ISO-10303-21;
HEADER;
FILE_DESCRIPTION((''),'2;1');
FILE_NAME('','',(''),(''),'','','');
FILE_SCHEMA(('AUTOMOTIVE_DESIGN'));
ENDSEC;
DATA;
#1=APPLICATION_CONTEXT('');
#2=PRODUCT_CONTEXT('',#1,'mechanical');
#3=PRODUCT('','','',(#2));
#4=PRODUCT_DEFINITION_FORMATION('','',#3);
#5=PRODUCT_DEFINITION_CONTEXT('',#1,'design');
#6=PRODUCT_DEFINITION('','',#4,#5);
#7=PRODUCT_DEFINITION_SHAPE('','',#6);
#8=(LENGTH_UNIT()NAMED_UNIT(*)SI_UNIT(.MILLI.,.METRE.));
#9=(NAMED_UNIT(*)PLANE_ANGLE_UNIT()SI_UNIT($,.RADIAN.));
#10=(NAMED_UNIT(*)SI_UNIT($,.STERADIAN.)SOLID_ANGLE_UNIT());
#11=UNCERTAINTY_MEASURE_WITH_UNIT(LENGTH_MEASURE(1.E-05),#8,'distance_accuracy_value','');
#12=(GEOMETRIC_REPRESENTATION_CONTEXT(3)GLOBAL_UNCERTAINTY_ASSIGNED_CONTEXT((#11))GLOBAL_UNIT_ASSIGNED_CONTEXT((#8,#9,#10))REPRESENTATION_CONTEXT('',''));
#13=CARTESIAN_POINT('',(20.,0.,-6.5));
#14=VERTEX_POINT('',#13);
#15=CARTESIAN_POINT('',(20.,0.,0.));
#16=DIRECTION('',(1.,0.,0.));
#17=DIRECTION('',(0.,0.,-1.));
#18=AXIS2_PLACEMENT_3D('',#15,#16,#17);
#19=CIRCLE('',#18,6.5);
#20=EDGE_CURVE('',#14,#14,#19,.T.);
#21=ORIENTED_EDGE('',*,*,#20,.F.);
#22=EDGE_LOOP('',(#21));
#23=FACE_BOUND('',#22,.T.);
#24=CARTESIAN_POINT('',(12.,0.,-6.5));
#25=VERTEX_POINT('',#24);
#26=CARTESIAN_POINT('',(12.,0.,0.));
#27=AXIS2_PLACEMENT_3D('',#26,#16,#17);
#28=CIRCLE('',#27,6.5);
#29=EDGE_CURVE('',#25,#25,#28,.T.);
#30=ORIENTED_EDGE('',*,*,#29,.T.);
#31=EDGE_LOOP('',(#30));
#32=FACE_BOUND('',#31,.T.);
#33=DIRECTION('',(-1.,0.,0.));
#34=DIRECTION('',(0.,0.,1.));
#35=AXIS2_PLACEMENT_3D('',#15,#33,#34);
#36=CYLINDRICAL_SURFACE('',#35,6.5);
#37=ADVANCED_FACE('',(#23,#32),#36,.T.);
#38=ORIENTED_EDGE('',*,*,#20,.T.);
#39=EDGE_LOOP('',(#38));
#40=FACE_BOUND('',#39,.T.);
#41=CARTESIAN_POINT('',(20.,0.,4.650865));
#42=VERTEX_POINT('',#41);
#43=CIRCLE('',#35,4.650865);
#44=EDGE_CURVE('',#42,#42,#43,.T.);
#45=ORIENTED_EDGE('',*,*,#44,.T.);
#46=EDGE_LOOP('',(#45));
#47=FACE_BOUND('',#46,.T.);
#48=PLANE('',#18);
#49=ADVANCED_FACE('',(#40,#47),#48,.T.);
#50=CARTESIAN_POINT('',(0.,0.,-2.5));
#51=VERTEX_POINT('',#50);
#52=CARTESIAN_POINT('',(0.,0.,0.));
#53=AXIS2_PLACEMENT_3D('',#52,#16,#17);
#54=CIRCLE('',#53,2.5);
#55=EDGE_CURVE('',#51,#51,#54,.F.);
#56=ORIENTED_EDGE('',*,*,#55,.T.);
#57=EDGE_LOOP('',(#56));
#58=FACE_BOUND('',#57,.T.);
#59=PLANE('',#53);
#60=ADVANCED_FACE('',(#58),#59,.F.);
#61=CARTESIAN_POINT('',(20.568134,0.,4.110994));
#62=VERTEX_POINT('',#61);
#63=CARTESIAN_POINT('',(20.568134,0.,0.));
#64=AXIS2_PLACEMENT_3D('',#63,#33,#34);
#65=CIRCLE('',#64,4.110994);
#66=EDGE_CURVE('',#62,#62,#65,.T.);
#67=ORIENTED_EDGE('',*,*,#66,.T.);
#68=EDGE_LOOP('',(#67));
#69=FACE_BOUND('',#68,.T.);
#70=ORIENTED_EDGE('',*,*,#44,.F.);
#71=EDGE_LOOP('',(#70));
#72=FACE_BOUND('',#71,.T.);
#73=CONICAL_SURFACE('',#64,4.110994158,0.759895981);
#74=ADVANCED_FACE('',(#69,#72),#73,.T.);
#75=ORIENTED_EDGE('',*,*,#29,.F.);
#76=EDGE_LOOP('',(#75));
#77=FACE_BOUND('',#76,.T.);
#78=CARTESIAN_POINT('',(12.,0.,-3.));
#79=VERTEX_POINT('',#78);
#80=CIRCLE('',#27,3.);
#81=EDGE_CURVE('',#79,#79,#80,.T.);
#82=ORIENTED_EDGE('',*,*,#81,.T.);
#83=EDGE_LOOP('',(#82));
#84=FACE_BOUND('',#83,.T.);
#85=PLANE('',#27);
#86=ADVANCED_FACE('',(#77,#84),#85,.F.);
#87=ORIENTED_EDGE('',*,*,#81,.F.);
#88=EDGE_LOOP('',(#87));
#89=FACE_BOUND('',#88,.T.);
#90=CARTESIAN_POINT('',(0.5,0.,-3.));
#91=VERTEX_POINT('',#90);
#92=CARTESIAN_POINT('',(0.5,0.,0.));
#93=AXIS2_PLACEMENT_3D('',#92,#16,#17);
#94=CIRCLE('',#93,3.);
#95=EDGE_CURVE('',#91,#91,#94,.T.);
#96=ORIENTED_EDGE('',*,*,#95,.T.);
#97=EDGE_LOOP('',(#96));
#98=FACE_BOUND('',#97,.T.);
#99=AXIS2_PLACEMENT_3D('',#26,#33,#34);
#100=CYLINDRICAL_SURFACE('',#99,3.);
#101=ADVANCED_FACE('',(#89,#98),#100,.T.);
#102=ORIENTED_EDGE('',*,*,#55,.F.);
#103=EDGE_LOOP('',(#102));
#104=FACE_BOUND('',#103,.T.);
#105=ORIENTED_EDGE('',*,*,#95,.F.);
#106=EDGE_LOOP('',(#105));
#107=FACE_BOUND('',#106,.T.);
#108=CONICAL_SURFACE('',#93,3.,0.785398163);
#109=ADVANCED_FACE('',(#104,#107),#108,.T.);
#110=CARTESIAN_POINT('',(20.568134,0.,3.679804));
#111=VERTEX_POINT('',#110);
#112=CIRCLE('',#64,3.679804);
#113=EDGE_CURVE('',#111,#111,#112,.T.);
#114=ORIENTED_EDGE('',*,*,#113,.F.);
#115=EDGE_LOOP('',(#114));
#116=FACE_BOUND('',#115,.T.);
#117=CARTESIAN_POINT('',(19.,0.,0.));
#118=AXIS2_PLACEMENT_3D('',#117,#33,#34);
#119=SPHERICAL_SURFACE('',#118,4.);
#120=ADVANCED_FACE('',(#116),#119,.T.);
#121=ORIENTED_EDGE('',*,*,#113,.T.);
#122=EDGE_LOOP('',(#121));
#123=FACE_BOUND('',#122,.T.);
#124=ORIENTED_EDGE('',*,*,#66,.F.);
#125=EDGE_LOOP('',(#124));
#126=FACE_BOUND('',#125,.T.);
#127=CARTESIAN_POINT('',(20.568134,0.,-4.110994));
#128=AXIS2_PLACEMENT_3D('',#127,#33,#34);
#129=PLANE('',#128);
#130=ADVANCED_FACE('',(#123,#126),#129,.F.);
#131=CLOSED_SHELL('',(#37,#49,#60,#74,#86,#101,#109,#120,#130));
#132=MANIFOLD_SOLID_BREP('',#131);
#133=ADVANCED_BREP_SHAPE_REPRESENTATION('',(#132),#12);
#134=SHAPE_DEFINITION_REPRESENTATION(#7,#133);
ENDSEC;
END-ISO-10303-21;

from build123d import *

# Parameters (mm, degrees)
SKETCH_1_R      = 3
EXTRUDE_1_DEPTH = 12
SKETCH_2_R      = 6.5
EXTRUDE_2_DEPTH = 8
CHAMFER_1_SIZE  = 0.5


with BuildPart() as part:
    # 草图1 → 凸台-拉伸1 (new body)
    with BuildSketch(Plane(origin=(0, 0, 0), x_dir=(0, 0, -1), z_dir=(1, 0, 0))):
        Circle(SKETCH_1_R)
    extrude(amount=EXTRUDE_1_DEPTH)

    # 草图2 → 凸台-拉伸2 (add)
    with BuildSketch(Plane(origin=(12, 0, 0), x_dir=(0, 0, -1), z_dir=(1, 0, 0))):
        Circle(SKETCH_2_R)
    extrude(amount=EXTRUDE_2_DEPTH)

    # 草图3 → 旋转2 (revolve)
    with BuildSketch(Plane(origin=(0, 0, 0), x_dir=(1, 0, 0), z_dir=(0, 1, 0))):
        with BuildLine():
            Line((15, 0), (23, 0))
            ThreePointArc((23, 0), (22.337104701, 2.20538709), (20.568133892, 3.679803812))
            Line((20.568133892, 3.679803812), (20.568133892, 4.110994158))
            Line((20.568133892, 4.110994158), (20, 4.650865374))
            Line((20, 4.650865374), (20, 3.872983346))
            ThreePointArc((20, 3.872983346), (16.550510257, 3.16227766), (15, 0))
        make_face()
    revolve(axis=Axis((15, 0, 0), (1, 0, 0)))

    # 倒角1
    chamfer_1_edges = [part.edges().sort_by_distance(p)[0] for p in [
        (0, 0, 3),
    ]]
    chamfer(chamfer_1_edges, length=CHAMFER_1_SIZE)


solid = part.part
